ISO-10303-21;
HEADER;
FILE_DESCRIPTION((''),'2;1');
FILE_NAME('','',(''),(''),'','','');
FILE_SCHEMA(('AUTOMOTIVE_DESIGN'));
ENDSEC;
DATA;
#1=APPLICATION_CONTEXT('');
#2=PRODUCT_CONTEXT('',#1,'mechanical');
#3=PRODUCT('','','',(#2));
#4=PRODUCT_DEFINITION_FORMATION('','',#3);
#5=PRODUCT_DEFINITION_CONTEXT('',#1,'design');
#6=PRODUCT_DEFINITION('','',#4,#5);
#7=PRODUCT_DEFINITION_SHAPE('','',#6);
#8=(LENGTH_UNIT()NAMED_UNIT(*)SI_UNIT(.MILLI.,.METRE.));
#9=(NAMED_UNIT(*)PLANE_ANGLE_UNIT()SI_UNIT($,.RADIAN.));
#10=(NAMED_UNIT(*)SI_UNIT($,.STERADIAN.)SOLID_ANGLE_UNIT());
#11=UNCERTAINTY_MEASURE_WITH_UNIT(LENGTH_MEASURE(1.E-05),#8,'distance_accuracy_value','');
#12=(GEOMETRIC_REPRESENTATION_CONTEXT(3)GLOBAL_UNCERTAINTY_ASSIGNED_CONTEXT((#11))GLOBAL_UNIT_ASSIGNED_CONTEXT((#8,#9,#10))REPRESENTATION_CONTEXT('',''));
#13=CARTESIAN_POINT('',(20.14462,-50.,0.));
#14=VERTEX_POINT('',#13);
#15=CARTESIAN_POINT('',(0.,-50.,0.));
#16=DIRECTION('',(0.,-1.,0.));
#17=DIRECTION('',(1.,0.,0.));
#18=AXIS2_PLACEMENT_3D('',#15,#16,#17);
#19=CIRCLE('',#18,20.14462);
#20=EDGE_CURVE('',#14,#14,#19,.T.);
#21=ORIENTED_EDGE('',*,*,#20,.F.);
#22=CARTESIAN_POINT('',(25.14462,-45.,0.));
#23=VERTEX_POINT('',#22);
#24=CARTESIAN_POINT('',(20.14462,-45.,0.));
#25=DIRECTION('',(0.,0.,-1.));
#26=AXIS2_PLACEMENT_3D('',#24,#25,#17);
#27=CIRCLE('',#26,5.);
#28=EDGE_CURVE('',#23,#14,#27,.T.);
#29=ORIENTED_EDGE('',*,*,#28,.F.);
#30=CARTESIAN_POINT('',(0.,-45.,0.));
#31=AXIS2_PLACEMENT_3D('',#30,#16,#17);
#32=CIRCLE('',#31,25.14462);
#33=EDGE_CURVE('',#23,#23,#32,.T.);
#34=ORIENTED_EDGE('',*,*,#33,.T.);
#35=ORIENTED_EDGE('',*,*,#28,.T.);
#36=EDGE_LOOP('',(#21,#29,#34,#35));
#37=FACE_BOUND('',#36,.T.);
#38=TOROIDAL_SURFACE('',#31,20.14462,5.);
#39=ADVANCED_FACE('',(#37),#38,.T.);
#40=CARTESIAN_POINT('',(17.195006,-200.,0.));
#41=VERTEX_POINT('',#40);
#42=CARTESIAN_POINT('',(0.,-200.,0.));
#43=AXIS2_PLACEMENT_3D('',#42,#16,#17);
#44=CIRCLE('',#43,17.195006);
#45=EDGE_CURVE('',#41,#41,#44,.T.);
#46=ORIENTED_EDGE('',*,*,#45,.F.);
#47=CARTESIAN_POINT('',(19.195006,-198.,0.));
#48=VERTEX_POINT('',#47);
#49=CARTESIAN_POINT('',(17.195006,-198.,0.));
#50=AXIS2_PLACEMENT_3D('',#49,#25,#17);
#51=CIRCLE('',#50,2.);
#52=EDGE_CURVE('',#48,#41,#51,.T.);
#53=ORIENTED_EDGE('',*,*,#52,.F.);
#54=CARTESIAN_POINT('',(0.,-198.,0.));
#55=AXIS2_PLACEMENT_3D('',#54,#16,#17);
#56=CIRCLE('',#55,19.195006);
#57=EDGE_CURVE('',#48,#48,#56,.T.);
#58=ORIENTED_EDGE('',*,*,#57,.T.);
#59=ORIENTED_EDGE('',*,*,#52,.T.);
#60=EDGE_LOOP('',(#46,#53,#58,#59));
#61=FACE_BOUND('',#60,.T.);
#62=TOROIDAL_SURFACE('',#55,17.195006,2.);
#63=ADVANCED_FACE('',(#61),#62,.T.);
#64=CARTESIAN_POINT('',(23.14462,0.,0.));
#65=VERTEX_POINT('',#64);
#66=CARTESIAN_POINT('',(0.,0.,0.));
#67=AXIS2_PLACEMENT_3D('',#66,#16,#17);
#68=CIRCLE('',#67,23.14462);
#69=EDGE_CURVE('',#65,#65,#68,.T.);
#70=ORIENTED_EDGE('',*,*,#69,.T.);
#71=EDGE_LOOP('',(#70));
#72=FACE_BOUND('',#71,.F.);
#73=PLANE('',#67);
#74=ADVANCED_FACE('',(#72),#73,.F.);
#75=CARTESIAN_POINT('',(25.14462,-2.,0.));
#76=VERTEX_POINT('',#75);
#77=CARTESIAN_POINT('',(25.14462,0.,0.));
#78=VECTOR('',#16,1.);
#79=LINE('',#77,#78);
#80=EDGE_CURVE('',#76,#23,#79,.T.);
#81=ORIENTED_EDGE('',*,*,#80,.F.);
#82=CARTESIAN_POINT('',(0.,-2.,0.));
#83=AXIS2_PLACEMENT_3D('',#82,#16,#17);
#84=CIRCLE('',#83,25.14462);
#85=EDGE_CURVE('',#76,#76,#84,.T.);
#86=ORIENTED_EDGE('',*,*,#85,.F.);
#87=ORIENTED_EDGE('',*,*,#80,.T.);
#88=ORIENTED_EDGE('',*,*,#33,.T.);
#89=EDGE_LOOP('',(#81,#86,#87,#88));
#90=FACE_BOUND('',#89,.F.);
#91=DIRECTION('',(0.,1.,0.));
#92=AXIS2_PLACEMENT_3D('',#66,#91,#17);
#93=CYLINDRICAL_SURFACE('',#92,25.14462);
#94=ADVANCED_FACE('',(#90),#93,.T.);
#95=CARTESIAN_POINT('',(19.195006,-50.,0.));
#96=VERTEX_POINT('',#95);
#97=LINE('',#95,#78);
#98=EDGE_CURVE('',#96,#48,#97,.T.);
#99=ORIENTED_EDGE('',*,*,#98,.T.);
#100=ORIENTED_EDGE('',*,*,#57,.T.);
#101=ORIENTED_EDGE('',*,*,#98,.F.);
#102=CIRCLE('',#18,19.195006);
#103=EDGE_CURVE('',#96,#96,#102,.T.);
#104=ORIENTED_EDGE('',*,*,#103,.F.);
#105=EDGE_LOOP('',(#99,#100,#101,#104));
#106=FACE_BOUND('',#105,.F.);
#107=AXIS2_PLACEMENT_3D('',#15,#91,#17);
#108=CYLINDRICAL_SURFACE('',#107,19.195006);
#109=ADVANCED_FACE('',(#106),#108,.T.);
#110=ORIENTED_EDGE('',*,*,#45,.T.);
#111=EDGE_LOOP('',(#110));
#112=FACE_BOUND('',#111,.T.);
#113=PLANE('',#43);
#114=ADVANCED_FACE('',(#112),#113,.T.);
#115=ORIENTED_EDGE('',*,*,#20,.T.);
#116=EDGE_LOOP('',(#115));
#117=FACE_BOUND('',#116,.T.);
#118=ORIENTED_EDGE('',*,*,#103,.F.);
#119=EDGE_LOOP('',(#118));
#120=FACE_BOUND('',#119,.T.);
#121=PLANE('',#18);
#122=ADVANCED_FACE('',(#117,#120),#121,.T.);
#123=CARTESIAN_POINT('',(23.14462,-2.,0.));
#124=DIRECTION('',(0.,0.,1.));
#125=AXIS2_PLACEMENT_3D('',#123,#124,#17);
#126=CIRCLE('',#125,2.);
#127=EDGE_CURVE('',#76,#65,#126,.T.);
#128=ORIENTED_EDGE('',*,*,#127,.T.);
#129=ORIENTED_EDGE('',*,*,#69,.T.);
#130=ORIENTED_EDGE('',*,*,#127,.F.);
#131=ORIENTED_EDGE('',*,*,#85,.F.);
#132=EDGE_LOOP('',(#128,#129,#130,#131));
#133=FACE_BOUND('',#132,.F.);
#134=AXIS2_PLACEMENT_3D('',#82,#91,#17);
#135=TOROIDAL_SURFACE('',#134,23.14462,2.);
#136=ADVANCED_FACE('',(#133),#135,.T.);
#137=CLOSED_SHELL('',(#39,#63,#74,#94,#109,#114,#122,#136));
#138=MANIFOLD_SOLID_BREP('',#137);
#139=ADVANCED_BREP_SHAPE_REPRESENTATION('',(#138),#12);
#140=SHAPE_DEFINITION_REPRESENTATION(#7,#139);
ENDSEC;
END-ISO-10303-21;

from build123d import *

# Parameters (mm, degrees)
F0_R     = 25.14462
F1_DEPTH = 50
F2_R     = 19.195006
F3_DEPTH = 150
F4_R     = 2
F5_R     = 5


with BuildPart() as f1:
    # F0 (on Front) → F1 (new body)
    with BuildSketch(Plane.XZ):
        Circle(F0_R)
    extrude(amount=F1_DEPTH)

    # F2 (on face) → F3 (join)
    with BuildSketch(Plane.XZ.offset(50)):
        Circle(F2_R)
    extrude(amount=F3_DEPTH)

    # F4
    f4_edges = [f1.edges().sort_by_distance(p)[0] for p in [
        (-19.195006, -200, 0),
        (-25.14462, 0, 0),
    ]]
    fillet(f4_edges, radius=F4_R)

    # F5
    f5_edges = [f1.edges().sort_by_distance(p)[0] for p in [
        (-25.14462, -50, 0),
    ]]
    fillet(f5_edges, radius=F5_R)


solid = f1.part
